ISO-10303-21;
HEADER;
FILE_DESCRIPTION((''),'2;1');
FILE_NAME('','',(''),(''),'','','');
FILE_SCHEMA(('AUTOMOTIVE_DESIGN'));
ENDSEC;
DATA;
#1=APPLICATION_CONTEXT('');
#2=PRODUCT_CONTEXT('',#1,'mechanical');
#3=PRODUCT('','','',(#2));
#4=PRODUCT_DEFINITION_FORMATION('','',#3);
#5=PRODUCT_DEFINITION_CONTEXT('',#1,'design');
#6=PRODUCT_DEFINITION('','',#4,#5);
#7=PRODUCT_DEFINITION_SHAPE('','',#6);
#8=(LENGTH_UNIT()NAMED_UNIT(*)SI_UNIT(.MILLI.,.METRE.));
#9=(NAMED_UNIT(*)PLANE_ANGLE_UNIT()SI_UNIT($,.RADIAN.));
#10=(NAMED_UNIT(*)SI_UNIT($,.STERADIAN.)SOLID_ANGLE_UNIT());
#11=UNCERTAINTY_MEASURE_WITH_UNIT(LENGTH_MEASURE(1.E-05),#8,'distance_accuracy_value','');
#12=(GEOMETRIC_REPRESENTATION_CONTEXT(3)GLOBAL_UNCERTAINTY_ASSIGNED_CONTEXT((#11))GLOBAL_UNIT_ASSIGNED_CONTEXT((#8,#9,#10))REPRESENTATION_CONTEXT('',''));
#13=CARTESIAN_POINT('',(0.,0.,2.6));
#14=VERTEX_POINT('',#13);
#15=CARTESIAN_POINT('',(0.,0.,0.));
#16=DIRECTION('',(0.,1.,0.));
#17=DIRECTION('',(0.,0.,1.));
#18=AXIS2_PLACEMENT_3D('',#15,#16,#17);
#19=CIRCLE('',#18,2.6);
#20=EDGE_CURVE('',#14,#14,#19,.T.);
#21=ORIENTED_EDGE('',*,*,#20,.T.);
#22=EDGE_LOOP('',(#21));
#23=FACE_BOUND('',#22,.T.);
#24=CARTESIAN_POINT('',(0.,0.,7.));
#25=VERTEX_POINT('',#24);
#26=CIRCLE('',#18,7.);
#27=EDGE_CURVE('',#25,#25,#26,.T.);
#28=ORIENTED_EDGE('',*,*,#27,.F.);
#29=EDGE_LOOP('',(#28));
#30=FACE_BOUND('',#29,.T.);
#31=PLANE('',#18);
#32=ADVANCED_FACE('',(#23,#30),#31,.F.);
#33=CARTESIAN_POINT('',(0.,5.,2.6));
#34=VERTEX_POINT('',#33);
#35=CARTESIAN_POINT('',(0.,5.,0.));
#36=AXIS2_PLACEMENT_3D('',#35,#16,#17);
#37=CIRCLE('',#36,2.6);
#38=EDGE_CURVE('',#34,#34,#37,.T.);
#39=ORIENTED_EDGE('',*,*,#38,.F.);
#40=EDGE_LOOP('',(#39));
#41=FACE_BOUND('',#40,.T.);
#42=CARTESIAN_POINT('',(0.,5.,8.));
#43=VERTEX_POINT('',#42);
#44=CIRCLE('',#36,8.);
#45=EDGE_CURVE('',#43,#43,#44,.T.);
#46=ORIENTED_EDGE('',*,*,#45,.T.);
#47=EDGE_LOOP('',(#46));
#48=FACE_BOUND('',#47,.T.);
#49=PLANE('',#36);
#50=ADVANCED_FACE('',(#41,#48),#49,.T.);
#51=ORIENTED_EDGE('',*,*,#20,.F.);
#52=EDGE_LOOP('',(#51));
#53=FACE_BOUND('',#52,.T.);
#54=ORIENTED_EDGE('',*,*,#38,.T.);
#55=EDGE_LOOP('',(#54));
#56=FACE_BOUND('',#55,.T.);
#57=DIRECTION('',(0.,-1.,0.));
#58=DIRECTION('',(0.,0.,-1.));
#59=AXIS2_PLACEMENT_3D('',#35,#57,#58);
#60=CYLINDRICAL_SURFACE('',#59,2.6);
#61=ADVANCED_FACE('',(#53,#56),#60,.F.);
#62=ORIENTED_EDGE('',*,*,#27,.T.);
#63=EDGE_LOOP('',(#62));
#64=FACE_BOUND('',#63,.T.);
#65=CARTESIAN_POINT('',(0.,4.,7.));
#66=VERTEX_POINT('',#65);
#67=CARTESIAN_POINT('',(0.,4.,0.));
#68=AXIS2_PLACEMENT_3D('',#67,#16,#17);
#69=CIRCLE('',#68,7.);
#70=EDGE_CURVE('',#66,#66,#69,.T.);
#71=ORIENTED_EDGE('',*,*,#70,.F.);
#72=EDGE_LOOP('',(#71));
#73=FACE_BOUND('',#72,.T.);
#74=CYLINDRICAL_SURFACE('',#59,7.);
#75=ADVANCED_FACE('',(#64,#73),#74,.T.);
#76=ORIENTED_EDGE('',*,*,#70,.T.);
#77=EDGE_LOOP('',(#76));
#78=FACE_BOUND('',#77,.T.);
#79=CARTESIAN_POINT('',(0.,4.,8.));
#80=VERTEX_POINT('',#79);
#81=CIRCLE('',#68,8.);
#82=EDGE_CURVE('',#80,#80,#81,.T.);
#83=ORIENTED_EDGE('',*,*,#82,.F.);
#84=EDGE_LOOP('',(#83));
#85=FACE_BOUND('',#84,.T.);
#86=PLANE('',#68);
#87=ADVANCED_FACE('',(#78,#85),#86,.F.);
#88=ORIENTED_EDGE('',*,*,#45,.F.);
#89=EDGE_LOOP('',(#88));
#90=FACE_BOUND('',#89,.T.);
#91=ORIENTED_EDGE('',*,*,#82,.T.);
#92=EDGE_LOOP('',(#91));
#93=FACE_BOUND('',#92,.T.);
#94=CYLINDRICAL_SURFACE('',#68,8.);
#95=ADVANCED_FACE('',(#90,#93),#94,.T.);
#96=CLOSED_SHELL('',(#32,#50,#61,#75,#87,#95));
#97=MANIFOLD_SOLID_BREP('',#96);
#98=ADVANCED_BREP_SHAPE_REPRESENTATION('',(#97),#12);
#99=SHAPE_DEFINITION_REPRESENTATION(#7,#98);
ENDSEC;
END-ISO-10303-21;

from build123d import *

# Parameters (mm, degrees)
SKETCH_1_R      = 7
SKETCH_1_R_2    = 2.6
EXTRUDE_1_DEPTH = 5
SKETCH_2_R      = 8
SKETCH_2_R_2    = 2.6
EXTRUDE_2_DEPTH = 1


with BuildPart() as part:
    # 草图1 → 凸台-拉伸1 (new body)
    with BuildSketch(Plane(origin=(0, 0, 0), x_dir=(1, 0, 0), z_dir=(0, 1, 0))):
        Circle(SKETCH_1_R)
        Circle(SKETCH_1_R_2, mode=Mode.SUBTRACT)
    extrude(amount=EXTRUDE_1_DEPTH)

    # 草图2 → 凸台-拉伸2 (add)
    with BuildSketch(Plane(origin=(0, 5, 0), x_dir=(1, 0, 0), z_dir=(0, 1, 0))):
        Circle(SKETCH_2_R)
        Circle(SKETCH_2_R_2, mode=Mode.SUBTRACT)
    extrude(amount=-EXTRUDE_2_DEPTH)


solid = part.part
